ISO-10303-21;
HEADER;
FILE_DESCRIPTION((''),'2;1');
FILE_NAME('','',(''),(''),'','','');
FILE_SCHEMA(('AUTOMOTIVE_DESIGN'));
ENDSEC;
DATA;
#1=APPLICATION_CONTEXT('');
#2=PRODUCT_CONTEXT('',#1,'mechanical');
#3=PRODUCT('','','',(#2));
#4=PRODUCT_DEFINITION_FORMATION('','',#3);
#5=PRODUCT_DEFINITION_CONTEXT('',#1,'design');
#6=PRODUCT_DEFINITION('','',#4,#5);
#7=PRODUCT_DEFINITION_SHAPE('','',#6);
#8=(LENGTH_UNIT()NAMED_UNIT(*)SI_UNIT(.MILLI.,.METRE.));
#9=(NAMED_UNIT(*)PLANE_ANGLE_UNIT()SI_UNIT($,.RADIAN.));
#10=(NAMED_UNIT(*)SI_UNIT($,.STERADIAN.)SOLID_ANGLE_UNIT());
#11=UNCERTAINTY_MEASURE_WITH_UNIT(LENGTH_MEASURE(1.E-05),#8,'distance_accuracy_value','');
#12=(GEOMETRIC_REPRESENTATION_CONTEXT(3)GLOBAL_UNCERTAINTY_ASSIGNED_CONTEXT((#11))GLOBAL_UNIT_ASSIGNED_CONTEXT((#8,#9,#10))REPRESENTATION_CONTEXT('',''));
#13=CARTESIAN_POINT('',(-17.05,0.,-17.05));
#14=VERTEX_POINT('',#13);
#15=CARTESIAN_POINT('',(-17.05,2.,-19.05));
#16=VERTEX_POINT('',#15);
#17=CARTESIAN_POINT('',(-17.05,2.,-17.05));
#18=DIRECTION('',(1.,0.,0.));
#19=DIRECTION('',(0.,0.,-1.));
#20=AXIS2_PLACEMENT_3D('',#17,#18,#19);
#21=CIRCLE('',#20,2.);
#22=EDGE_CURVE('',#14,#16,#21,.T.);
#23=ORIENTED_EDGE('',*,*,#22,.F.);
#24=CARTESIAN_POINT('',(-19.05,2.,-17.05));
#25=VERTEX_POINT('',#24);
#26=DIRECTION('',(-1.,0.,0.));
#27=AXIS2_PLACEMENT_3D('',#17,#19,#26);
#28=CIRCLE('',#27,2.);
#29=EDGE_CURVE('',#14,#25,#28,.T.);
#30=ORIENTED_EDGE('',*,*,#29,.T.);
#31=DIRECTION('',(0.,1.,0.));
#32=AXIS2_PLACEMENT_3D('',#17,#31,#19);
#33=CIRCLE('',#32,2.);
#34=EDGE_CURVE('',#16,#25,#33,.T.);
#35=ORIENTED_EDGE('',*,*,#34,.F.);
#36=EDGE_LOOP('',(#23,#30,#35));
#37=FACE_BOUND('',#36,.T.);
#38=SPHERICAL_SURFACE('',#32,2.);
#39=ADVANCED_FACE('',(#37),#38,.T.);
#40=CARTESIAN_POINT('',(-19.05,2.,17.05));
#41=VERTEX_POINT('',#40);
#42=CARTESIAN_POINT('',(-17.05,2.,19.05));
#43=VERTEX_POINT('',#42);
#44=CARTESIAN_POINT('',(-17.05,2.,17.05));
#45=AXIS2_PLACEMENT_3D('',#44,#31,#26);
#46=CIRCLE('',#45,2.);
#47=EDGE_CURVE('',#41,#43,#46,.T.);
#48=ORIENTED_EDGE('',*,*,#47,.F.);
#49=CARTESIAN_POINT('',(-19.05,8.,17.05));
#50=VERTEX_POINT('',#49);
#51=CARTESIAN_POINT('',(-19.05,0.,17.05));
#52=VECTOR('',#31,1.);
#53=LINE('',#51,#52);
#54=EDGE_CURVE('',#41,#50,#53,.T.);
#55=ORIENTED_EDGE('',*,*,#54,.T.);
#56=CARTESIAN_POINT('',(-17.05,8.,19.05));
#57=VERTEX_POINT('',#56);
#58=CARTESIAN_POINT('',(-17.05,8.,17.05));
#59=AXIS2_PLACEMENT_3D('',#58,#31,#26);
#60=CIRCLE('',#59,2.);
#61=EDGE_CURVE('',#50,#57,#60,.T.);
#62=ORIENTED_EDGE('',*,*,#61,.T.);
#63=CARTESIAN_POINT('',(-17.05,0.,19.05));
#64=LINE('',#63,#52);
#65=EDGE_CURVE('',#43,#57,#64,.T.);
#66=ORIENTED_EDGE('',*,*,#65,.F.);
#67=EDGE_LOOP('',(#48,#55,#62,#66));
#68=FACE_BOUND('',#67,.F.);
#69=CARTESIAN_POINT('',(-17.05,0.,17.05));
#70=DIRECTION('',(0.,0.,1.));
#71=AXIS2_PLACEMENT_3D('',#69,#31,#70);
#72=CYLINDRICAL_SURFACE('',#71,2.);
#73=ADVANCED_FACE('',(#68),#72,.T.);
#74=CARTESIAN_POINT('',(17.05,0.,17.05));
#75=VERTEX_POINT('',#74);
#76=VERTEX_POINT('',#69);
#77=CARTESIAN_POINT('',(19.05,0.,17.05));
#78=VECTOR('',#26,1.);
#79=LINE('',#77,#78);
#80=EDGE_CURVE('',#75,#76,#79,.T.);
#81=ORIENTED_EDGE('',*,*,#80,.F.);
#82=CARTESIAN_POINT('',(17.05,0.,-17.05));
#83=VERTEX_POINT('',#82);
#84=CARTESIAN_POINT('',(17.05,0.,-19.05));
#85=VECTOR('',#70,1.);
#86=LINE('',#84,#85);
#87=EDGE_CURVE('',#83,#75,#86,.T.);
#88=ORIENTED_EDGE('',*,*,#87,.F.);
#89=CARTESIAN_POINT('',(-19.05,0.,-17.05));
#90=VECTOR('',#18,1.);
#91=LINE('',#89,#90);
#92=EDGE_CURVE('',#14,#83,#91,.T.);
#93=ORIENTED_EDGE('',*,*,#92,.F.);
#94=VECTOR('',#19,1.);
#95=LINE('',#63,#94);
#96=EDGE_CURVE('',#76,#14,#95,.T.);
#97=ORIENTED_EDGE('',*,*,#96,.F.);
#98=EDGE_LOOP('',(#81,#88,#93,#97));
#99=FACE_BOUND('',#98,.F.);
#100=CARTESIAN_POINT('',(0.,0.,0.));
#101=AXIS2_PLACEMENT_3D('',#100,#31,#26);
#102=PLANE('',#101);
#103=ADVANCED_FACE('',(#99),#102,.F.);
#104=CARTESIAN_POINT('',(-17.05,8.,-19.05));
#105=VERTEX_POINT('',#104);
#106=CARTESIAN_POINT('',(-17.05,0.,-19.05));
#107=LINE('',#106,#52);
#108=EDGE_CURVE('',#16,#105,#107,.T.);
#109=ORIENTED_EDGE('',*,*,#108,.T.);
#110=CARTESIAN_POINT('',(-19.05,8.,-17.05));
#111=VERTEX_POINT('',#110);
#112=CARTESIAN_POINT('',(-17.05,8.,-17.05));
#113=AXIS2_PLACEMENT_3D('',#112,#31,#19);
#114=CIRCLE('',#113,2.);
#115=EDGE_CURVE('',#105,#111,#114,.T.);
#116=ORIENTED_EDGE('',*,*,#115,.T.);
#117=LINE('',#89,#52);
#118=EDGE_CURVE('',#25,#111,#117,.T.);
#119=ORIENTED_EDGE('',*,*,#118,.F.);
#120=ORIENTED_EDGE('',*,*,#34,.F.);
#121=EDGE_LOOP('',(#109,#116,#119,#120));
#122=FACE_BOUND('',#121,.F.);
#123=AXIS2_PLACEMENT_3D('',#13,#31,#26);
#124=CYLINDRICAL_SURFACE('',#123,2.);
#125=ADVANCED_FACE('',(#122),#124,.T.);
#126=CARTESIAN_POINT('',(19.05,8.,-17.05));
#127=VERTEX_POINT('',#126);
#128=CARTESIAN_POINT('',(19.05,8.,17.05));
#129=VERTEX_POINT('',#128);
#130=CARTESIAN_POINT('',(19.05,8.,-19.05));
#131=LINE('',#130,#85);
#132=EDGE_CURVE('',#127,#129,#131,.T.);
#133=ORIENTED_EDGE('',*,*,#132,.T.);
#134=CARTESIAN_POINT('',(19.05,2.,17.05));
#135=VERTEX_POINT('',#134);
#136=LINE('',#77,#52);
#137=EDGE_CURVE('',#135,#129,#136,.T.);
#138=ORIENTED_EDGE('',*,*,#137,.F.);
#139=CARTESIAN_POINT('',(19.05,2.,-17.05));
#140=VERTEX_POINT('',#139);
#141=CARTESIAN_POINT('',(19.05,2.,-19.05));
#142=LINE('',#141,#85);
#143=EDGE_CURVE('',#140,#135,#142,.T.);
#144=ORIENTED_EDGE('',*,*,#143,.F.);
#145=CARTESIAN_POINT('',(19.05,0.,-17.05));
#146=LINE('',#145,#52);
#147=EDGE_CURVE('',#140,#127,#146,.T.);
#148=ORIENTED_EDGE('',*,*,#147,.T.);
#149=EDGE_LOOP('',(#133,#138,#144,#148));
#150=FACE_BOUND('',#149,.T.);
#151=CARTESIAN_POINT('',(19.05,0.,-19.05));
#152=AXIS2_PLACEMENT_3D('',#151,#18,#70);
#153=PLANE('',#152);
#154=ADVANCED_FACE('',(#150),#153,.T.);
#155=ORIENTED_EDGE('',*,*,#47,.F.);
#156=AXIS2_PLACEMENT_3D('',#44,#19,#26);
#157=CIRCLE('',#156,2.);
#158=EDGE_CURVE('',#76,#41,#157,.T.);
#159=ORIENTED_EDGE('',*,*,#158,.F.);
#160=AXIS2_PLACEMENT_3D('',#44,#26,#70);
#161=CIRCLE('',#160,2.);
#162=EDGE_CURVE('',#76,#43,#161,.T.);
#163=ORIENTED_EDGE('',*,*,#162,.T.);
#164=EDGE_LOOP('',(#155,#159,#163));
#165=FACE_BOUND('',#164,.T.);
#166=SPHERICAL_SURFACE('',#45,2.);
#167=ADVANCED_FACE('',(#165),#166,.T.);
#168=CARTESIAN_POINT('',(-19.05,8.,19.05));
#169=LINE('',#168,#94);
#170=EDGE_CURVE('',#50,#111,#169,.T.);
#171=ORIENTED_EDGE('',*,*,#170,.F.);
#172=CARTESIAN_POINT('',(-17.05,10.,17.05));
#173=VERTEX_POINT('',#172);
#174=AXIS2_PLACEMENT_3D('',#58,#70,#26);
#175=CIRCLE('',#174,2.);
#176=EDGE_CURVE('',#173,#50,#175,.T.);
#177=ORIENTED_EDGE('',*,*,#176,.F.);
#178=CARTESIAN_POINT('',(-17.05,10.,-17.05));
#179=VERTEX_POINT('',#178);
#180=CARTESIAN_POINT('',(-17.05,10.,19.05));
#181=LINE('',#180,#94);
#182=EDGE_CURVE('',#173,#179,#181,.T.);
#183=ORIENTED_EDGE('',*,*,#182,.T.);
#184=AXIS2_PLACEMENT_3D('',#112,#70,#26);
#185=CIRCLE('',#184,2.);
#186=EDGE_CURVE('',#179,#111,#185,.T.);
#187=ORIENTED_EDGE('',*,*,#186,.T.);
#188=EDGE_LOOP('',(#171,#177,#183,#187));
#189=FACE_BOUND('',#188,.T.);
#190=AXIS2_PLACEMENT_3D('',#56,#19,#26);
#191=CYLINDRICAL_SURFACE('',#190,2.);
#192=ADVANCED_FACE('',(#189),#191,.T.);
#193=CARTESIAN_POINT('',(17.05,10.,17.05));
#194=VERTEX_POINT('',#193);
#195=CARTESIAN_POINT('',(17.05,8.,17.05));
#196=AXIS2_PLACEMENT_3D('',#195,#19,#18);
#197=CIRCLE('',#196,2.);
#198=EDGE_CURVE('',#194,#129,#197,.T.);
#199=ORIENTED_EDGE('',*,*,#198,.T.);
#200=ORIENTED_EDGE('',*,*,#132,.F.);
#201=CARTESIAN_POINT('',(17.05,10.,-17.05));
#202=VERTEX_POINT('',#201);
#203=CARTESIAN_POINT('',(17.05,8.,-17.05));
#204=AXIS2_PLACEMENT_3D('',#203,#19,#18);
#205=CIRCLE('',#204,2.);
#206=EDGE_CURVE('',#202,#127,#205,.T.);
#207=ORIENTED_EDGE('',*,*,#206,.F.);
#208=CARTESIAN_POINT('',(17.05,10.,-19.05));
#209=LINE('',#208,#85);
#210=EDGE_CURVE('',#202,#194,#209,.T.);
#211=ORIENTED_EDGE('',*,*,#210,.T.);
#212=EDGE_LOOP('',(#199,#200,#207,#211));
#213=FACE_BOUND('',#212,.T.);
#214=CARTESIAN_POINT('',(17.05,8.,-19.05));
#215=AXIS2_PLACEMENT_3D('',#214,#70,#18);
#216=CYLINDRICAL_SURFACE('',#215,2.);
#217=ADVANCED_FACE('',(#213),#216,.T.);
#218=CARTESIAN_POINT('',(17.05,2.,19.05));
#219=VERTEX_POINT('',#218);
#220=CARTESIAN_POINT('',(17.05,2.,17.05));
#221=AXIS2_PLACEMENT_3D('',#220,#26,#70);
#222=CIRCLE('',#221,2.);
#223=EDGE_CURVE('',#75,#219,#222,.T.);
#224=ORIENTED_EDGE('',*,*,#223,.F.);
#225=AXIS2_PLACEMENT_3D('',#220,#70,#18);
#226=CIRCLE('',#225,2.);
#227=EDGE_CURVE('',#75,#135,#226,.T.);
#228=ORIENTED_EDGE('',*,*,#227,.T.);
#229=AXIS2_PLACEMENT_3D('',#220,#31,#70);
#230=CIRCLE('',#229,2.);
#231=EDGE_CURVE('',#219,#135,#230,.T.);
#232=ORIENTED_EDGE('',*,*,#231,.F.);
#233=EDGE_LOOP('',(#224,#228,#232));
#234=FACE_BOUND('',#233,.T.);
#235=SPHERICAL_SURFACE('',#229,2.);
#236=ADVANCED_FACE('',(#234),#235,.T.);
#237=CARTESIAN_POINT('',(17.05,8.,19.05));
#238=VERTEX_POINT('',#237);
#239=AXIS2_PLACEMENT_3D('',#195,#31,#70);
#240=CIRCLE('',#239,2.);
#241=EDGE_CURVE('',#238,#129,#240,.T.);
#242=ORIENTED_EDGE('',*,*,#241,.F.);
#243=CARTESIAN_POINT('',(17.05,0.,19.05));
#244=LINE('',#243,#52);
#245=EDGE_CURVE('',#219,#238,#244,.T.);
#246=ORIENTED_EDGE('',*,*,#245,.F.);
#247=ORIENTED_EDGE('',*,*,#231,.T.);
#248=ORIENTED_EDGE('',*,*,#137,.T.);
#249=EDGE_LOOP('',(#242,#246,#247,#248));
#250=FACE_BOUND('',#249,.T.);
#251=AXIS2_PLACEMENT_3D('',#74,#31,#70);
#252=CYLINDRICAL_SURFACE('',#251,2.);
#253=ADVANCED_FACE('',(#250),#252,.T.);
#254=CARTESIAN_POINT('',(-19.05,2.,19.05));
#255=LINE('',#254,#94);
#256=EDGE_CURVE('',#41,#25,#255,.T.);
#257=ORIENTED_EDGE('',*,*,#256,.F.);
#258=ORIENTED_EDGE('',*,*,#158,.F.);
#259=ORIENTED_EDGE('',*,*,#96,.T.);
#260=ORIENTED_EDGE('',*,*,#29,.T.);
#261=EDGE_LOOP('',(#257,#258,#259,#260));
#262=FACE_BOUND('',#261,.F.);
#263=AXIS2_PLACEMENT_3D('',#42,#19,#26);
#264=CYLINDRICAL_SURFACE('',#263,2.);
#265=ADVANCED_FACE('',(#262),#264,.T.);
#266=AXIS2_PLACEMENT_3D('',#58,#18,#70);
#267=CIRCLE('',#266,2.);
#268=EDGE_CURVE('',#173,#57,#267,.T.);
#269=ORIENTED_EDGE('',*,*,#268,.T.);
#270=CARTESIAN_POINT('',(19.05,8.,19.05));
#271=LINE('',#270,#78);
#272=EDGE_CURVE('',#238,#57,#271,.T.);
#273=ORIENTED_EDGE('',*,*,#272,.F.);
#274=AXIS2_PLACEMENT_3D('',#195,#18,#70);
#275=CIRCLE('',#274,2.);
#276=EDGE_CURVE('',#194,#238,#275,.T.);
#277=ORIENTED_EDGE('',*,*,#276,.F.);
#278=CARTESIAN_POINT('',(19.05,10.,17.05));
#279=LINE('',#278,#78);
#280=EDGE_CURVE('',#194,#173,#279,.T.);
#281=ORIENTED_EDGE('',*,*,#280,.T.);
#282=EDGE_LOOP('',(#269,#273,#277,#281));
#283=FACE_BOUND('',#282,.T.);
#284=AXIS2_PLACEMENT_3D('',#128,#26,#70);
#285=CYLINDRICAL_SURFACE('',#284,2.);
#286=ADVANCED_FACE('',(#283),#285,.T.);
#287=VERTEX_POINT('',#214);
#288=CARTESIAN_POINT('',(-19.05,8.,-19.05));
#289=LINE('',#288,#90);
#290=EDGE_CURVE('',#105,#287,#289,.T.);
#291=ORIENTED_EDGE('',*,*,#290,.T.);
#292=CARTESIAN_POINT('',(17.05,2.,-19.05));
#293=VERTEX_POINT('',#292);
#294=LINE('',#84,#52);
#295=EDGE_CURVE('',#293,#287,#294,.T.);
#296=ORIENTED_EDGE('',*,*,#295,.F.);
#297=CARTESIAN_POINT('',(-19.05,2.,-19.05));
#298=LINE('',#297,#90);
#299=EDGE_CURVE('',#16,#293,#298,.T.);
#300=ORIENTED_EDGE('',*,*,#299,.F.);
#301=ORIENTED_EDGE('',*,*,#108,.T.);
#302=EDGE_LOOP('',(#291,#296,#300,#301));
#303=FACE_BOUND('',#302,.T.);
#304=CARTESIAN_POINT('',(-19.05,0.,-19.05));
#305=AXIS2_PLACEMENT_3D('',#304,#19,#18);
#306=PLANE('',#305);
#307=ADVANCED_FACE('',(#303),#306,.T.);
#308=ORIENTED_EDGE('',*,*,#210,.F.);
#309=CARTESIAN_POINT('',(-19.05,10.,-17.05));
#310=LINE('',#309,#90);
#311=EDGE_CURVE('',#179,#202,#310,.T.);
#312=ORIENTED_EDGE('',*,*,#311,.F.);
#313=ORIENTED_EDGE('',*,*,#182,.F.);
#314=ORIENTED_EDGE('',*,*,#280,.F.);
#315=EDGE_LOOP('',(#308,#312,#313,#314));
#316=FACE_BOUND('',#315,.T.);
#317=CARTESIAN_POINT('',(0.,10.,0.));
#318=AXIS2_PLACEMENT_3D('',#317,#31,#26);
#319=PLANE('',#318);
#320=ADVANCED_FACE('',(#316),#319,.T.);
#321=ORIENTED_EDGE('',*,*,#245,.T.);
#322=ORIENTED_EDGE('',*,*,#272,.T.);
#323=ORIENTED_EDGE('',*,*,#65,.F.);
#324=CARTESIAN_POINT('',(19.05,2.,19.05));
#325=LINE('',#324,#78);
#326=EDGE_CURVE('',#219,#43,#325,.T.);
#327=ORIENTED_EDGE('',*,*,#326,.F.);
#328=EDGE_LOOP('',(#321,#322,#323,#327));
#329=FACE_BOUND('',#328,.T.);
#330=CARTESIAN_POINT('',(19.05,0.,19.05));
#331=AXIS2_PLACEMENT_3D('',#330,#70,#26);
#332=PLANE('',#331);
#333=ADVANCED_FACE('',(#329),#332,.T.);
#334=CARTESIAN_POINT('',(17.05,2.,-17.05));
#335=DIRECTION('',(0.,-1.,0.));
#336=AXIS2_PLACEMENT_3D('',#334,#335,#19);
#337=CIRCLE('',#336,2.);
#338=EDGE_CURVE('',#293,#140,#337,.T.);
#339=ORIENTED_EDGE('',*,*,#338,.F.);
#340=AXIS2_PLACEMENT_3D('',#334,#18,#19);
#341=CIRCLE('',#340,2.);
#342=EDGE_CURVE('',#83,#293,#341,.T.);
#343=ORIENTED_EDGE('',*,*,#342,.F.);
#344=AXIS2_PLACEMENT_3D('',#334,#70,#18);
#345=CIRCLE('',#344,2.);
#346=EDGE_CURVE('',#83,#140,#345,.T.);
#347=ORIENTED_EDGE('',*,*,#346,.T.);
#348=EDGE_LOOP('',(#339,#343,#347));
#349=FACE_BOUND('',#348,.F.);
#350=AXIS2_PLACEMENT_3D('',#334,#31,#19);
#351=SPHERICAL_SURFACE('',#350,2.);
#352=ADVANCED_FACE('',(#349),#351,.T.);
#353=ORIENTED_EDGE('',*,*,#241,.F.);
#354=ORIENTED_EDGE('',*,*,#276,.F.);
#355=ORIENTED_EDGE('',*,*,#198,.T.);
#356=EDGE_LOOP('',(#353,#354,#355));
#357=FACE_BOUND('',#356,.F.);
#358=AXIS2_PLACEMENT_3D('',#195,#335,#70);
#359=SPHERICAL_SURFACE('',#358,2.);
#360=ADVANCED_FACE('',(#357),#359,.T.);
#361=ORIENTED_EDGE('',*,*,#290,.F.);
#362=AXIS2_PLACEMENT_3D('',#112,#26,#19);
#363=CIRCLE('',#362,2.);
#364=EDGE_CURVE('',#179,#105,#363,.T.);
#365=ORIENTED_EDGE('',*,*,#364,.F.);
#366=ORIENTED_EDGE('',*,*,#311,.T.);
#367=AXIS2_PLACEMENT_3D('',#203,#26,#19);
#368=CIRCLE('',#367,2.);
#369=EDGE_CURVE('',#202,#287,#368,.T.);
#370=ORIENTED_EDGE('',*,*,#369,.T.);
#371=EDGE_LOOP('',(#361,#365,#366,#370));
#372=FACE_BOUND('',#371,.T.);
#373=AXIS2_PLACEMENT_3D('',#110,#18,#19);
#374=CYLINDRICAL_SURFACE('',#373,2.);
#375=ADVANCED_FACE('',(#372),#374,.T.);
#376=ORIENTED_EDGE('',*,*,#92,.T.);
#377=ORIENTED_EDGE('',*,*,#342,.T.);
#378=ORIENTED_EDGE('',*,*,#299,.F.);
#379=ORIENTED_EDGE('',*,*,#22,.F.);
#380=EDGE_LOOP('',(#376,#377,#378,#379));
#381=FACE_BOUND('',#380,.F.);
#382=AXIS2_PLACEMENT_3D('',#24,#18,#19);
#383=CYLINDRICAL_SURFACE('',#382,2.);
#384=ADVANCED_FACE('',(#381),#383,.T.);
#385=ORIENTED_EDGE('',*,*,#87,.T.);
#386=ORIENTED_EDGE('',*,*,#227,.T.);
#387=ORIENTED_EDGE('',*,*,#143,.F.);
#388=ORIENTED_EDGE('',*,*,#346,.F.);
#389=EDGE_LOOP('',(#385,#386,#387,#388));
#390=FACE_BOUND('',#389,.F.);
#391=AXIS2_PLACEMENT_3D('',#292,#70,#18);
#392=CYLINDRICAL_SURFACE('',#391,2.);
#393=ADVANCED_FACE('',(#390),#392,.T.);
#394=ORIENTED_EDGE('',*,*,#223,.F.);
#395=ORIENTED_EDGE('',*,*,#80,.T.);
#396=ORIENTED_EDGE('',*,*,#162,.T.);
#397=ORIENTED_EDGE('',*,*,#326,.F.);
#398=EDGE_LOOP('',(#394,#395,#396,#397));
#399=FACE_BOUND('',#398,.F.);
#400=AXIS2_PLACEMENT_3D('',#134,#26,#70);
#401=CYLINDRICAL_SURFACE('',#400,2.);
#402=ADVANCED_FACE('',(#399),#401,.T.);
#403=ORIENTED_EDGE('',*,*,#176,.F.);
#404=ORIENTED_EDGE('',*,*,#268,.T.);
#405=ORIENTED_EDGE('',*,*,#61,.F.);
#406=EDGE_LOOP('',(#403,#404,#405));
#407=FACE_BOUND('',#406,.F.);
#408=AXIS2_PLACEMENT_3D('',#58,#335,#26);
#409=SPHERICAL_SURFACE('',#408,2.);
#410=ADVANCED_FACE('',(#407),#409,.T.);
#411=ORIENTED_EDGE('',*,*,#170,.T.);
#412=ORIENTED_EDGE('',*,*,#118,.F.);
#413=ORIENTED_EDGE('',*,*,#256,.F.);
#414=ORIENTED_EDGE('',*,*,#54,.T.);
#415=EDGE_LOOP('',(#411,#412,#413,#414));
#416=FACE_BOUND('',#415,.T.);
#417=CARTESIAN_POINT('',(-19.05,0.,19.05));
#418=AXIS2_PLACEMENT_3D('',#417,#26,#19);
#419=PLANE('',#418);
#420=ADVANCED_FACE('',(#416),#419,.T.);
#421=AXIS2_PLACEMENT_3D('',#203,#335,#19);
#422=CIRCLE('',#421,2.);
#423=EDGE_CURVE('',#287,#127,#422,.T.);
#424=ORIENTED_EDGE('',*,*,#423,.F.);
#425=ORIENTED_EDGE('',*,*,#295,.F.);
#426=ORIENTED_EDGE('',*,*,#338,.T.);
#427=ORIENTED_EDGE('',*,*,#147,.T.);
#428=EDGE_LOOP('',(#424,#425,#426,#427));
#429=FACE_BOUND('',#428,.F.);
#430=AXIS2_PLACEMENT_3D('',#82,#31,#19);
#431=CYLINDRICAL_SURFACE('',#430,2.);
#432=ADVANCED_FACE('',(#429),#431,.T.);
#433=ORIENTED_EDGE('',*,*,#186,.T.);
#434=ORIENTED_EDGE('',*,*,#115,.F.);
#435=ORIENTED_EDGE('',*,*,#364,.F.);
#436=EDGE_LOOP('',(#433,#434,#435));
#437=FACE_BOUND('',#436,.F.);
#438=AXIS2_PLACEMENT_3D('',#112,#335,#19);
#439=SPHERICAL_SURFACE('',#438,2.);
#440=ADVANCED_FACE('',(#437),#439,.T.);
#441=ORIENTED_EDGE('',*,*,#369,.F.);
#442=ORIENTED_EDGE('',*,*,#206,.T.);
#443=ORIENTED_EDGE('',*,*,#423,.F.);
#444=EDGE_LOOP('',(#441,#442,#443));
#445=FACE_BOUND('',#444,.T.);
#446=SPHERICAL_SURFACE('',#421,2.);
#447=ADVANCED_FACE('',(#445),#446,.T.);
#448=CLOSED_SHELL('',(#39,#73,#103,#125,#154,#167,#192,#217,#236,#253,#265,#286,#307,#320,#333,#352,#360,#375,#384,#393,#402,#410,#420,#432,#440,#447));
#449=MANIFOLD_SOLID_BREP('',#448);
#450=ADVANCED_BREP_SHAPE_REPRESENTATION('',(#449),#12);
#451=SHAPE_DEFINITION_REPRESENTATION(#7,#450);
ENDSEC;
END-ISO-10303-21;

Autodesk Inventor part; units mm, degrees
ref_plane "YZ Plane" through (0, 0, 0) normal (1, 0, 0) x (0, 1, 0)
ref_plane "XZ Plane" through (0, 0, 0) normal (0, 1, 0) x (-1, 0, 0)
ref_plane "XY Plane" through (0, 0, 0) normal (0, 0, 1) x (1, 0, 0)
sketch "Sketch1" plane through (0, 0, 0) normal (0, 1, 0) x (-1, 0, 0)
  line L0 (-19.05, 19.05) -> (19.05, 19.05)
  line L1 (19.05, 19.05) -> (19.05, -19.05)
  line L2 (19.05, -19.05) -> (-19.05, -19.05)
  line L3 (-19.05, -19.05) -> (-19.05, 19.05)
  line L4 (-19.05, 19.05) -> (19.05, -19.05) construction
  line L5 (19.05, 19.05) -> (-19.05, -19.05) construction
  point P0 (0, 0)
  dimension "d0" = 38.1
  dimension "d1" = 38.1
extrude "Extrusion1" add sketch "Sketch1" along normal blind 10
fillet "Fillet1" radius 2 4 edges at (19.05, 5, 19.05) (19.05, 5, -19.05) (-19.05, 5, 19.05) (-19.05, 5, -19.05)
fillet "Fillet1" radius 2 8 edges at (0, 10, -19.05) (-19.05, 10, 0) (0, 10, 19.05) (19.05, 10, 0) (0, 0, -19.05) (-19.05, 0, 0) (0, 0, 19.05) (19.05, 0, 0)
properties part number "GPS"
